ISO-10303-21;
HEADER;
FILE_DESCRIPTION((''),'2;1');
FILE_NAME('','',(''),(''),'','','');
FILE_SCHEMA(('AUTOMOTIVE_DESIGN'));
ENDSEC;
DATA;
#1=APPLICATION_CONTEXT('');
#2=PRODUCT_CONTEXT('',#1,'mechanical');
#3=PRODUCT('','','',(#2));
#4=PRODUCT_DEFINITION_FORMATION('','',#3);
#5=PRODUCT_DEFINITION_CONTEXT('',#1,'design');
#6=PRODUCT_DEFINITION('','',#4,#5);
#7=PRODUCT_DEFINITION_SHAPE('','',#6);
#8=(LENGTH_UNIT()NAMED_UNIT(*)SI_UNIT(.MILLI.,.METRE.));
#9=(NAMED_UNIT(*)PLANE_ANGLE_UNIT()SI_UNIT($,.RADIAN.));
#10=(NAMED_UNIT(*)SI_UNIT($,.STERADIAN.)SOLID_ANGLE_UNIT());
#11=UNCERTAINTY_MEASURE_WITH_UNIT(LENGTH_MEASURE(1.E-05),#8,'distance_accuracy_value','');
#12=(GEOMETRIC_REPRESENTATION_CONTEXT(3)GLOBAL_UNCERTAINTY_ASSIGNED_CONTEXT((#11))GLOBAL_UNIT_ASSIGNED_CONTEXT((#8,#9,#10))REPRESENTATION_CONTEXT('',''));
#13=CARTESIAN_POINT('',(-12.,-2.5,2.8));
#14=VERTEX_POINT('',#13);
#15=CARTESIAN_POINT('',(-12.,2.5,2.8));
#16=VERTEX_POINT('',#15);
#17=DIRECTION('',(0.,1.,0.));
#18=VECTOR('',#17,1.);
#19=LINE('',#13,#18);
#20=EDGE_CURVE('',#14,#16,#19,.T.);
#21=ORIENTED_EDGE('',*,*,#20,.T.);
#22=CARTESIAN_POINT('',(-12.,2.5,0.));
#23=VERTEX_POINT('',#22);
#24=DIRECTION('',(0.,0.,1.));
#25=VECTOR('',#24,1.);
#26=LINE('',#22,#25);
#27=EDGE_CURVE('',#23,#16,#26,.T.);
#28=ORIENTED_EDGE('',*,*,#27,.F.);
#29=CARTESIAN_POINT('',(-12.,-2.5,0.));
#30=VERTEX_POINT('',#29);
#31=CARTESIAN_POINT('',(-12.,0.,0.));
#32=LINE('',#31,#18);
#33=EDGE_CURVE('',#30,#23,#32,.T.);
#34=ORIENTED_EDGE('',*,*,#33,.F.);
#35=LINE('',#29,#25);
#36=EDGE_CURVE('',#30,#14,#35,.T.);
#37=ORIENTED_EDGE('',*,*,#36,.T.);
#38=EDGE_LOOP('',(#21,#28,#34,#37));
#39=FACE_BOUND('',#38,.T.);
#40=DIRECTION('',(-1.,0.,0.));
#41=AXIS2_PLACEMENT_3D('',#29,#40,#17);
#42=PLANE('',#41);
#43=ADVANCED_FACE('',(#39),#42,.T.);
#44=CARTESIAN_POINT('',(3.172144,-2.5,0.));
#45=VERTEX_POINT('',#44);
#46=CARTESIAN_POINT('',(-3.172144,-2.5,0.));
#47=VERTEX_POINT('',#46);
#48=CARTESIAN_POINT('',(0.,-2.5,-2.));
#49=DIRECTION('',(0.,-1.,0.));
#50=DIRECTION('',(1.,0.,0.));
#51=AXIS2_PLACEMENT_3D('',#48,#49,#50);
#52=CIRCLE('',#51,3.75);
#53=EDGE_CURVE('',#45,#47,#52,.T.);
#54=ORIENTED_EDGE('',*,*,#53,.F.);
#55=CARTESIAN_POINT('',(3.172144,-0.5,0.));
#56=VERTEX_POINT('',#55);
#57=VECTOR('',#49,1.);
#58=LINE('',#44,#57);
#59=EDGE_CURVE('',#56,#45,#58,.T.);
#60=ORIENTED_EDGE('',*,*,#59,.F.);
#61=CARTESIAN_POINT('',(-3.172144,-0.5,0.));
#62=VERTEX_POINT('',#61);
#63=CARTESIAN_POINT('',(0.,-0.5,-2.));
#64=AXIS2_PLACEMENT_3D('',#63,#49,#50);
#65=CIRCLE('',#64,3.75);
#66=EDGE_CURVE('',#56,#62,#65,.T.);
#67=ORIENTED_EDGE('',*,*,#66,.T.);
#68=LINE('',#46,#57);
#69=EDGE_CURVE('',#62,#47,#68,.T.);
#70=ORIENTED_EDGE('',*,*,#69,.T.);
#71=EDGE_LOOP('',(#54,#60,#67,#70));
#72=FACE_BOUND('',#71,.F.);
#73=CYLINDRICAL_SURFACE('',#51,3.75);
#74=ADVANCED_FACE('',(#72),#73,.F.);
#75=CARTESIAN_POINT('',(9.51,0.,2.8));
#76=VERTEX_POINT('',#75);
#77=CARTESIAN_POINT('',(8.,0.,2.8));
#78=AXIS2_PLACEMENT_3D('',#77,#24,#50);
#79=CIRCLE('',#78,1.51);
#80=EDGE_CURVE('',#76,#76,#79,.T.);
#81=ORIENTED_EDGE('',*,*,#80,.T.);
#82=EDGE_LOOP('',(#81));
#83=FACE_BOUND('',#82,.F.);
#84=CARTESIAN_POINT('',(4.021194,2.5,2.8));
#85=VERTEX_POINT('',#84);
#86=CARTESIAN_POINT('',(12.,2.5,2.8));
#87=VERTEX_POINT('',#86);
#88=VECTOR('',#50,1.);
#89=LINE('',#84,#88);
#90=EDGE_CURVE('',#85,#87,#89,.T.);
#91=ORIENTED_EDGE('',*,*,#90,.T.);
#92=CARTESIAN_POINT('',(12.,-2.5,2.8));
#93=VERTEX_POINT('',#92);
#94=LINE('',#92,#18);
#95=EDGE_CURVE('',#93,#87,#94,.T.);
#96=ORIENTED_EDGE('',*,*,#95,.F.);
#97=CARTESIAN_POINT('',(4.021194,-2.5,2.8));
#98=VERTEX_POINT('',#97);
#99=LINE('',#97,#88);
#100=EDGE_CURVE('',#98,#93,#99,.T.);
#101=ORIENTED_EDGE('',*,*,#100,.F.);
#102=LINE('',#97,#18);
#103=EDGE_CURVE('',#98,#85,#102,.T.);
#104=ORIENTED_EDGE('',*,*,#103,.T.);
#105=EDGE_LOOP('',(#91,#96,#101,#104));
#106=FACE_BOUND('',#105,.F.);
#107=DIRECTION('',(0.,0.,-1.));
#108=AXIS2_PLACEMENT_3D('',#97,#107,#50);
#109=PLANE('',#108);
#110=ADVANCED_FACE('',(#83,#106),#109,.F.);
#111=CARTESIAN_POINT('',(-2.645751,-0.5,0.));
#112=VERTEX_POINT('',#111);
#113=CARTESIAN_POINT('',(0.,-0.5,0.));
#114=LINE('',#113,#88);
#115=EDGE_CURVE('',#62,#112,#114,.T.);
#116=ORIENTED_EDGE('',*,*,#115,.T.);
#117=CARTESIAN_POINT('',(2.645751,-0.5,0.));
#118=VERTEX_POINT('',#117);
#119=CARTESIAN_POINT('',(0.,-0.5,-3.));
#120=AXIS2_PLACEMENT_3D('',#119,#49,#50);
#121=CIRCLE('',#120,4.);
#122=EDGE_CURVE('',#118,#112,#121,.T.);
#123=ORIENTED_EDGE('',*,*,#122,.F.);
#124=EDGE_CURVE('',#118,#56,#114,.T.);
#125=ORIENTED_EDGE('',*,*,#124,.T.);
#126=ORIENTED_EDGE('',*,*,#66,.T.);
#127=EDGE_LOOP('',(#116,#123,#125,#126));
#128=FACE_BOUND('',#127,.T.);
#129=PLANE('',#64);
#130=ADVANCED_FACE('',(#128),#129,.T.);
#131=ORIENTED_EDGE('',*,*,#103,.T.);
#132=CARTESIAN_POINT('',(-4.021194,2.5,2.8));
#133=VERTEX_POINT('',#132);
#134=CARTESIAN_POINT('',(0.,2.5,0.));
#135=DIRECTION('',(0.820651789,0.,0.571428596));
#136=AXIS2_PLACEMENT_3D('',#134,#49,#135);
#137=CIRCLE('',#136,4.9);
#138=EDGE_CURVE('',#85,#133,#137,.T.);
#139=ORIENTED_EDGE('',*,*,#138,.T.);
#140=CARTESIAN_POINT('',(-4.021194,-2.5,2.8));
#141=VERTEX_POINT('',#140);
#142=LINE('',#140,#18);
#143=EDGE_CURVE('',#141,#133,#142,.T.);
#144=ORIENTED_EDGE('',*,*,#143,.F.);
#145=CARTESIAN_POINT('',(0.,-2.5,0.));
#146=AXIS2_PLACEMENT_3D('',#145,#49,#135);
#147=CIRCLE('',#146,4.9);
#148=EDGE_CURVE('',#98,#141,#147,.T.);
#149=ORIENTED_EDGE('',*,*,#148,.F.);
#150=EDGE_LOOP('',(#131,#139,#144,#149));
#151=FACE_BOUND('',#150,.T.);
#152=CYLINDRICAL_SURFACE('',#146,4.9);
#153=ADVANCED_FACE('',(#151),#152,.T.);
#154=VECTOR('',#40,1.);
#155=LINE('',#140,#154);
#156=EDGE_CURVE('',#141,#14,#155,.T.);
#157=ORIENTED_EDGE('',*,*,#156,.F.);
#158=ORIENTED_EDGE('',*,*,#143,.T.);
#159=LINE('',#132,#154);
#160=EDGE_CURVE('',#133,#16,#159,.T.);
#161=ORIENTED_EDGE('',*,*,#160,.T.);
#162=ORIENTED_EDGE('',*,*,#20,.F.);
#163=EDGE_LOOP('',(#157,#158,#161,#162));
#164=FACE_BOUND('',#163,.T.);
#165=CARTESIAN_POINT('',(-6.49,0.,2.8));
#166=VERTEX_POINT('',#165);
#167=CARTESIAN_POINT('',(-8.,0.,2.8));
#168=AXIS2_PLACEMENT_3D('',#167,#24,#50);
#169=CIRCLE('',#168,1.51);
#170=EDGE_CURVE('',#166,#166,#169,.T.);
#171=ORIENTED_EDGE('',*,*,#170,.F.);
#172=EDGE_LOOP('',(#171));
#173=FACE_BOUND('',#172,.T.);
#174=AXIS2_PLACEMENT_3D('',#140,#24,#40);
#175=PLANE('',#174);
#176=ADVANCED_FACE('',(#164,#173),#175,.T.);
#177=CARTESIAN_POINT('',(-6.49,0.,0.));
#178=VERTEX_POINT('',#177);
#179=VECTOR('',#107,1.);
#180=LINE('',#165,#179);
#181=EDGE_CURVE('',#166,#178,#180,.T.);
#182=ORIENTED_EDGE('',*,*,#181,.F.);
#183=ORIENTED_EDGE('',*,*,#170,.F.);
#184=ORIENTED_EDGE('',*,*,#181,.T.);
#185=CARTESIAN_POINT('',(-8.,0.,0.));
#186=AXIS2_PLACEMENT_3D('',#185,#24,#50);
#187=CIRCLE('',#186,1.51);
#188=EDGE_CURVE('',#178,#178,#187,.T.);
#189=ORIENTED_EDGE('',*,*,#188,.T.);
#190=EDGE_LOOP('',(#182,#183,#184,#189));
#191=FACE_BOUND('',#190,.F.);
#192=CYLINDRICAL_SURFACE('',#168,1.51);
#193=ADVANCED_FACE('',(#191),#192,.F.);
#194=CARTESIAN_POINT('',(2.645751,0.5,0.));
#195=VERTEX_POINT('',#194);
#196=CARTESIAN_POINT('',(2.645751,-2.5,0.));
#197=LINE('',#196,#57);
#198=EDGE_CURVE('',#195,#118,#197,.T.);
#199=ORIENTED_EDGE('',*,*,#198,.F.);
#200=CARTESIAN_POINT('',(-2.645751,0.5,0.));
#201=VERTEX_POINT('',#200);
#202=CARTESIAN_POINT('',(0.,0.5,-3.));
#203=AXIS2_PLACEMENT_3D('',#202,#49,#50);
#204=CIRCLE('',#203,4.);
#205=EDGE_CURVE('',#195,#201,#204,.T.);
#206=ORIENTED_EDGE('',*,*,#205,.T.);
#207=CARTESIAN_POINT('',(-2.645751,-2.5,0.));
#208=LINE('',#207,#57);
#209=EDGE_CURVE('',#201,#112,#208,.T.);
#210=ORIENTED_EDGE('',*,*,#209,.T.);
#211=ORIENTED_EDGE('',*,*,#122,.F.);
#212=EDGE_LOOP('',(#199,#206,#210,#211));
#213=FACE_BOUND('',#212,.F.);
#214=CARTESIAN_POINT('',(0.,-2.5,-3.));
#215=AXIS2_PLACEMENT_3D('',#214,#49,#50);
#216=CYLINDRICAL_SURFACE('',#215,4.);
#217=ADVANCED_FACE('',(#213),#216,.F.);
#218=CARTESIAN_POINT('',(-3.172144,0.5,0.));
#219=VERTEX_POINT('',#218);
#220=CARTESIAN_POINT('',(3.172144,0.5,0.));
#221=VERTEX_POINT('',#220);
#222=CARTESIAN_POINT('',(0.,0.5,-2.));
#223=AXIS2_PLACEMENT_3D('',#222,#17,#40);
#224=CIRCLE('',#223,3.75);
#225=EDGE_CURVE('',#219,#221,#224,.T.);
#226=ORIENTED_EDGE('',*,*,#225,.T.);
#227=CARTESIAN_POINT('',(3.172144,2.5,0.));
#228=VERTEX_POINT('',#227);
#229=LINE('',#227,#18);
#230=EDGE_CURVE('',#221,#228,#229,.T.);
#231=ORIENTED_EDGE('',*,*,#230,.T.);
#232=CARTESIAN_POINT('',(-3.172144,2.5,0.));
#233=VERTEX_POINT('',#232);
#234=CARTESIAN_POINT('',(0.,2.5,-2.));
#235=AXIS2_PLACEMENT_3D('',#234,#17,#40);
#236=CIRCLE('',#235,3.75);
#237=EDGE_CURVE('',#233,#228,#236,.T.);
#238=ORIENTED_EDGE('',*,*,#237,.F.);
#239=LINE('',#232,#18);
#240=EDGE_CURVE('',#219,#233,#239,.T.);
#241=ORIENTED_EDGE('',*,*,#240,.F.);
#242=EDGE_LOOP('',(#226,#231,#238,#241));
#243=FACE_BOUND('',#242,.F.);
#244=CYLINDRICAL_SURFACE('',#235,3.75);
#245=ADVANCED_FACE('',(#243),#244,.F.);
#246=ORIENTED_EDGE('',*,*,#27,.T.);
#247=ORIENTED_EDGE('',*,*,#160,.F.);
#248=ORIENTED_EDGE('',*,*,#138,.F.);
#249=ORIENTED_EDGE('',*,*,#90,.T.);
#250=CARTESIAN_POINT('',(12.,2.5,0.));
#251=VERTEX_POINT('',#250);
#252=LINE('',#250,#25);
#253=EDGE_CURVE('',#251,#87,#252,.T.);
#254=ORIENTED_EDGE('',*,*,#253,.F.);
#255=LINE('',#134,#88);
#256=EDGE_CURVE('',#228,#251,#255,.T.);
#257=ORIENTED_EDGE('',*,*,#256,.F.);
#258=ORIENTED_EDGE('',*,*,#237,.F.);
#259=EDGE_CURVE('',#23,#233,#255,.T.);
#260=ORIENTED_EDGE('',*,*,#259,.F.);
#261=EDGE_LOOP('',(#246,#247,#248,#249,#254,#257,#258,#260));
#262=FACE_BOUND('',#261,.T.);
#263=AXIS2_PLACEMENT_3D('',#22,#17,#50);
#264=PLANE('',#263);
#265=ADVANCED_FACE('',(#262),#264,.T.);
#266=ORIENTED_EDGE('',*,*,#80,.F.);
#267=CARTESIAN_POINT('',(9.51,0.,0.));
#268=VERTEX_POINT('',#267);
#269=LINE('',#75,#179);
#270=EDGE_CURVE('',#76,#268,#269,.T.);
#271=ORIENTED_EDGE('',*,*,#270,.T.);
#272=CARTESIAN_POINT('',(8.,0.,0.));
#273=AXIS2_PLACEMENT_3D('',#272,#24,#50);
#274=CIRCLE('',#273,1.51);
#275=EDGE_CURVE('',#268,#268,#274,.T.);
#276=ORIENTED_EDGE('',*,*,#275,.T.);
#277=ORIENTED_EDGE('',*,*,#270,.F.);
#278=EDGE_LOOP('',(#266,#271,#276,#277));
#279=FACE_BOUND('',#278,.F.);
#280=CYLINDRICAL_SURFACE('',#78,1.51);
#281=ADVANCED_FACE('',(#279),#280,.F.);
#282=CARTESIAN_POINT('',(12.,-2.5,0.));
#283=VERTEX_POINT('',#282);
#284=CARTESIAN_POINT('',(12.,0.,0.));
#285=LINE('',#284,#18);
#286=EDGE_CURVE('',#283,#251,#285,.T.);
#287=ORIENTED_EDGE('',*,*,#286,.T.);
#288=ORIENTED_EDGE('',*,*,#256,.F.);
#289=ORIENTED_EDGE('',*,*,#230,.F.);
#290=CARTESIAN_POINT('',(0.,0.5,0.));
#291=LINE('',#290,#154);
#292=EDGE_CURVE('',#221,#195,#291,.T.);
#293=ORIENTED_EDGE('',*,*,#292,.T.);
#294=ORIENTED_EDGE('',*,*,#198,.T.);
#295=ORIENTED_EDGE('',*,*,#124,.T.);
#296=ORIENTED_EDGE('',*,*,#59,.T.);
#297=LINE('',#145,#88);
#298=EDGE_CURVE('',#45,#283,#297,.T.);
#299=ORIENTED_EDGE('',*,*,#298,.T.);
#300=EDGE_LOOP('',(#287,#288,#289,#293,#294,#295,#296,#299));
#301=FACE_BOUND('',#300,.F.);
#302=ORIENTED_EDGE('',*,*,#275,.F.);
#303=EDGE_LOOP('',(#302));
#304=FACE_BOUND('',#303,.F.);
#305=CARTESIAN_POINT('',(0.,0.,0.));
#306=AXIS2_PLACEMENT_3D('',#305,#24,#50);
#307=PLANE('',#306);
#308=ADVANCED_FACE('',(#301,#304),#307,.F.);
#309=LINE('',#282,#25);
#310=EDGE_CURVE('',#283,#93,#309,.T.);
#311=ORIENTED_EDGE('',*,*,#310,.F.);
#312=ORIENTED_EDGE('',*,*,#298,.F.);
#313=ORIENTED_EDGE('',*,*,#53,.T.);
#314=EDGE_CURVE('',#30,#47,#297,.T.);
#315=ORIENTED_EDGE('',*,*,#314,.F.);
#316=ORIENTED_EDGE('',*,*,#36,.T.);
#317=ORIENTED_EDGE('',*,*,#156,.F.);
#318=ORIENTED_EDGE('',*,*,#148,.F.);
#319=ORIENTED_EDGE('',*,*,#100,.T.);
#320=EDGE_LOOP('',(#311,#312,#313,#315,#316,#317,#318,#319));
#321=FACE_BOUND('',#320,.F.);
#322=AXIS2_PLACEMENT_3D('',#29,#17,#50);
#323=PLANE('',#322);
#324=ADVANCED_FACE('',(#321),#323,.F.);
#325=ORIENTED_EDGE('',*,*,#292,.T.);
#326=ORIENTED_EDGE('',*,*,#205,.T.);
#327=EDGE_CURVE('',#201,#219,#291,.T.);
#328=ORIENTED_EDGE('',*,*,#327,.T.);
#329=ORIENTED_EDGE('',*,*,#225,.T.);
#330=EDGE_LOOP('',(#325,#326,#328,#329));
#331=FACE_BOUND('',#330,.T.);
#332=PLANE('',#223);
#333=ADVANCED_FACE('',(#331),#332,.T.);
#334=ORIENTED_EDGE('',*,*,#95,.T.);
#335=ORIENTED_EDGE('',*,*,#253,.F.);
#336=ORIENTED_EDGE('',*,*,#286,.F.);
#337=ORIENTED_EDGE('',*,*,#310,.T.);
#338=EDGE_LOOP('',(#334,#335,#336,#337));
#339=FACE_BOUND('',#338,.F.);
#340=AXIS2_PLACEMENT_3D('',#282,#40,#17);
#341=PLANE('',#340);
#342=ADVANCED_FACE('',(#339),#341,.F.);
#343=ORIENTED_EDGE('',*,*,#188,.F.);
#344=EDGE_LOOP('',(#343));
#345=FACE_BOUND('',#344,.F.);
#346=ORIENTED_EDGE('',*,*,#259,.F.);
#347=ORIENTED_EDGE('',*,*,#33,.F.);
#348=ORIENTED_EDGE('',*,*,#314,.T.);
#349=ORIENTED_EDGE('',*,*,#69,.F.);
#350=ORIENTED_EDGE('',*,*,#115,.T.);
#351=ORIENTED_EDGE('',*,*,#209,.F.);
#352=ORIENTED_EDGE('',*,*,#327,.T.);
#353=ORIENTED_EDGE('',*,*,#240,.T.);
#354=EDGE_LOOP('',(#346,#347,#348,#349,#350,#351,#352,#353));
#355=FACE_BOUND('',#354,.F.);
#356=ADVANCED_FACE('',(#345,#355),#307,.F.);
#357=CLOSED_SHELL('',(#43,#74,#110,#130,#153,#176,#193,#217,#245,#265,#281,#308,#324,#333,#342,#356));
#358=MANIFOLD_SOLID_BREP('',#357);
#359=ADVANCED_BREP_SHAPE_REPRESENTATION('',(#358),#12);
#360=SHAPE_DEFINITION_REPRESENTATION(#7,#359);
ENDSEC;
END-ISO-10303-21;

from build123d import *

# Parameters (mm, degrees)
SKETCH_W        = 24
SKETCH_H        = 5
PAD_DEPTH       = 5
SKETCH001_R     = 3.75
POCKET_DEPTH    = 2
SKETCH002_R     = 3.75
POCKET001_DEPTH = 2
SKETCH003_R     = 4
POCKET002_DEPTH = 5
SKETCH004_R     = 1.51
POCKET003_DEPTH = 3


with BuildPart() as part:
    # Sketch → Pad (new body)
    with BuildSketch(Plane.XY):
        Rectangle(SKETCH_W, SKETCH_H)
    extrude(amount=PAD_DEPTH)

    # Sketch001 (on Face3 of Pad) → Pocket (cut)
    with BuildSketch(Plane.XZ.offset(2.5)):
        with Locations((0, -2)):
            Circle(SKETCH001_R)
    extrude(amount=-POCKET_DEPTH, mode=Mode.SUBTRACT)

    # Sketch002 (on Face1 of Pocket) → Pocket001 (cut)
    with BuildSketch(Plane(origin=(0, 2.5, 0), x_dir=(-1, 0, 0), z_dir=(0, 1, 0))):
        with Locations((0, -2)):
            Circle(SKETCH002_R)
    extrude(amount=-POCKET001_DEPTH, mode=Mode.SUBTRACT)

    # Sketch003 (on Face7 of Pocket001) → Pocket002 (cut)
    with BuildSketch(Plane.XZ.offset(2.5)):
        with Locations((0, -3)):
            Circle(SKETCH003_R)
        with BuildLine():
            ThreePointArc((4.021194, 2.8), (0, 4.9), (-4.021194, 2.8))
            Line((-4.021194, 2.8), (-12, 2.8))
            Line((-12, 2.8), (-12, 5))
            Line((-12, 5), (12, 5))
            Line((12, 2.8), (12, 5))
            Line((4.021194, 2.8), (12, 2.8))
        make_face()
    extrude(amount=-POCKET002_DEPTH, mode=Mode.SUBTRACT)

    # Sketch004 (on Face8 of Pocket002) → Pocket003 (cut)
    with BuildSketch(Plane.XY.offset(2.8)):
        with Locations((-8, 0)):
            Circle(SKETCH004_R)
        with Locations((8, 0)):
            Circle(SKETCH004_R)
    extrude(amount=-POCKET003_DEPTH, mode=Mode.SUBTRACT)


solid = part.part
